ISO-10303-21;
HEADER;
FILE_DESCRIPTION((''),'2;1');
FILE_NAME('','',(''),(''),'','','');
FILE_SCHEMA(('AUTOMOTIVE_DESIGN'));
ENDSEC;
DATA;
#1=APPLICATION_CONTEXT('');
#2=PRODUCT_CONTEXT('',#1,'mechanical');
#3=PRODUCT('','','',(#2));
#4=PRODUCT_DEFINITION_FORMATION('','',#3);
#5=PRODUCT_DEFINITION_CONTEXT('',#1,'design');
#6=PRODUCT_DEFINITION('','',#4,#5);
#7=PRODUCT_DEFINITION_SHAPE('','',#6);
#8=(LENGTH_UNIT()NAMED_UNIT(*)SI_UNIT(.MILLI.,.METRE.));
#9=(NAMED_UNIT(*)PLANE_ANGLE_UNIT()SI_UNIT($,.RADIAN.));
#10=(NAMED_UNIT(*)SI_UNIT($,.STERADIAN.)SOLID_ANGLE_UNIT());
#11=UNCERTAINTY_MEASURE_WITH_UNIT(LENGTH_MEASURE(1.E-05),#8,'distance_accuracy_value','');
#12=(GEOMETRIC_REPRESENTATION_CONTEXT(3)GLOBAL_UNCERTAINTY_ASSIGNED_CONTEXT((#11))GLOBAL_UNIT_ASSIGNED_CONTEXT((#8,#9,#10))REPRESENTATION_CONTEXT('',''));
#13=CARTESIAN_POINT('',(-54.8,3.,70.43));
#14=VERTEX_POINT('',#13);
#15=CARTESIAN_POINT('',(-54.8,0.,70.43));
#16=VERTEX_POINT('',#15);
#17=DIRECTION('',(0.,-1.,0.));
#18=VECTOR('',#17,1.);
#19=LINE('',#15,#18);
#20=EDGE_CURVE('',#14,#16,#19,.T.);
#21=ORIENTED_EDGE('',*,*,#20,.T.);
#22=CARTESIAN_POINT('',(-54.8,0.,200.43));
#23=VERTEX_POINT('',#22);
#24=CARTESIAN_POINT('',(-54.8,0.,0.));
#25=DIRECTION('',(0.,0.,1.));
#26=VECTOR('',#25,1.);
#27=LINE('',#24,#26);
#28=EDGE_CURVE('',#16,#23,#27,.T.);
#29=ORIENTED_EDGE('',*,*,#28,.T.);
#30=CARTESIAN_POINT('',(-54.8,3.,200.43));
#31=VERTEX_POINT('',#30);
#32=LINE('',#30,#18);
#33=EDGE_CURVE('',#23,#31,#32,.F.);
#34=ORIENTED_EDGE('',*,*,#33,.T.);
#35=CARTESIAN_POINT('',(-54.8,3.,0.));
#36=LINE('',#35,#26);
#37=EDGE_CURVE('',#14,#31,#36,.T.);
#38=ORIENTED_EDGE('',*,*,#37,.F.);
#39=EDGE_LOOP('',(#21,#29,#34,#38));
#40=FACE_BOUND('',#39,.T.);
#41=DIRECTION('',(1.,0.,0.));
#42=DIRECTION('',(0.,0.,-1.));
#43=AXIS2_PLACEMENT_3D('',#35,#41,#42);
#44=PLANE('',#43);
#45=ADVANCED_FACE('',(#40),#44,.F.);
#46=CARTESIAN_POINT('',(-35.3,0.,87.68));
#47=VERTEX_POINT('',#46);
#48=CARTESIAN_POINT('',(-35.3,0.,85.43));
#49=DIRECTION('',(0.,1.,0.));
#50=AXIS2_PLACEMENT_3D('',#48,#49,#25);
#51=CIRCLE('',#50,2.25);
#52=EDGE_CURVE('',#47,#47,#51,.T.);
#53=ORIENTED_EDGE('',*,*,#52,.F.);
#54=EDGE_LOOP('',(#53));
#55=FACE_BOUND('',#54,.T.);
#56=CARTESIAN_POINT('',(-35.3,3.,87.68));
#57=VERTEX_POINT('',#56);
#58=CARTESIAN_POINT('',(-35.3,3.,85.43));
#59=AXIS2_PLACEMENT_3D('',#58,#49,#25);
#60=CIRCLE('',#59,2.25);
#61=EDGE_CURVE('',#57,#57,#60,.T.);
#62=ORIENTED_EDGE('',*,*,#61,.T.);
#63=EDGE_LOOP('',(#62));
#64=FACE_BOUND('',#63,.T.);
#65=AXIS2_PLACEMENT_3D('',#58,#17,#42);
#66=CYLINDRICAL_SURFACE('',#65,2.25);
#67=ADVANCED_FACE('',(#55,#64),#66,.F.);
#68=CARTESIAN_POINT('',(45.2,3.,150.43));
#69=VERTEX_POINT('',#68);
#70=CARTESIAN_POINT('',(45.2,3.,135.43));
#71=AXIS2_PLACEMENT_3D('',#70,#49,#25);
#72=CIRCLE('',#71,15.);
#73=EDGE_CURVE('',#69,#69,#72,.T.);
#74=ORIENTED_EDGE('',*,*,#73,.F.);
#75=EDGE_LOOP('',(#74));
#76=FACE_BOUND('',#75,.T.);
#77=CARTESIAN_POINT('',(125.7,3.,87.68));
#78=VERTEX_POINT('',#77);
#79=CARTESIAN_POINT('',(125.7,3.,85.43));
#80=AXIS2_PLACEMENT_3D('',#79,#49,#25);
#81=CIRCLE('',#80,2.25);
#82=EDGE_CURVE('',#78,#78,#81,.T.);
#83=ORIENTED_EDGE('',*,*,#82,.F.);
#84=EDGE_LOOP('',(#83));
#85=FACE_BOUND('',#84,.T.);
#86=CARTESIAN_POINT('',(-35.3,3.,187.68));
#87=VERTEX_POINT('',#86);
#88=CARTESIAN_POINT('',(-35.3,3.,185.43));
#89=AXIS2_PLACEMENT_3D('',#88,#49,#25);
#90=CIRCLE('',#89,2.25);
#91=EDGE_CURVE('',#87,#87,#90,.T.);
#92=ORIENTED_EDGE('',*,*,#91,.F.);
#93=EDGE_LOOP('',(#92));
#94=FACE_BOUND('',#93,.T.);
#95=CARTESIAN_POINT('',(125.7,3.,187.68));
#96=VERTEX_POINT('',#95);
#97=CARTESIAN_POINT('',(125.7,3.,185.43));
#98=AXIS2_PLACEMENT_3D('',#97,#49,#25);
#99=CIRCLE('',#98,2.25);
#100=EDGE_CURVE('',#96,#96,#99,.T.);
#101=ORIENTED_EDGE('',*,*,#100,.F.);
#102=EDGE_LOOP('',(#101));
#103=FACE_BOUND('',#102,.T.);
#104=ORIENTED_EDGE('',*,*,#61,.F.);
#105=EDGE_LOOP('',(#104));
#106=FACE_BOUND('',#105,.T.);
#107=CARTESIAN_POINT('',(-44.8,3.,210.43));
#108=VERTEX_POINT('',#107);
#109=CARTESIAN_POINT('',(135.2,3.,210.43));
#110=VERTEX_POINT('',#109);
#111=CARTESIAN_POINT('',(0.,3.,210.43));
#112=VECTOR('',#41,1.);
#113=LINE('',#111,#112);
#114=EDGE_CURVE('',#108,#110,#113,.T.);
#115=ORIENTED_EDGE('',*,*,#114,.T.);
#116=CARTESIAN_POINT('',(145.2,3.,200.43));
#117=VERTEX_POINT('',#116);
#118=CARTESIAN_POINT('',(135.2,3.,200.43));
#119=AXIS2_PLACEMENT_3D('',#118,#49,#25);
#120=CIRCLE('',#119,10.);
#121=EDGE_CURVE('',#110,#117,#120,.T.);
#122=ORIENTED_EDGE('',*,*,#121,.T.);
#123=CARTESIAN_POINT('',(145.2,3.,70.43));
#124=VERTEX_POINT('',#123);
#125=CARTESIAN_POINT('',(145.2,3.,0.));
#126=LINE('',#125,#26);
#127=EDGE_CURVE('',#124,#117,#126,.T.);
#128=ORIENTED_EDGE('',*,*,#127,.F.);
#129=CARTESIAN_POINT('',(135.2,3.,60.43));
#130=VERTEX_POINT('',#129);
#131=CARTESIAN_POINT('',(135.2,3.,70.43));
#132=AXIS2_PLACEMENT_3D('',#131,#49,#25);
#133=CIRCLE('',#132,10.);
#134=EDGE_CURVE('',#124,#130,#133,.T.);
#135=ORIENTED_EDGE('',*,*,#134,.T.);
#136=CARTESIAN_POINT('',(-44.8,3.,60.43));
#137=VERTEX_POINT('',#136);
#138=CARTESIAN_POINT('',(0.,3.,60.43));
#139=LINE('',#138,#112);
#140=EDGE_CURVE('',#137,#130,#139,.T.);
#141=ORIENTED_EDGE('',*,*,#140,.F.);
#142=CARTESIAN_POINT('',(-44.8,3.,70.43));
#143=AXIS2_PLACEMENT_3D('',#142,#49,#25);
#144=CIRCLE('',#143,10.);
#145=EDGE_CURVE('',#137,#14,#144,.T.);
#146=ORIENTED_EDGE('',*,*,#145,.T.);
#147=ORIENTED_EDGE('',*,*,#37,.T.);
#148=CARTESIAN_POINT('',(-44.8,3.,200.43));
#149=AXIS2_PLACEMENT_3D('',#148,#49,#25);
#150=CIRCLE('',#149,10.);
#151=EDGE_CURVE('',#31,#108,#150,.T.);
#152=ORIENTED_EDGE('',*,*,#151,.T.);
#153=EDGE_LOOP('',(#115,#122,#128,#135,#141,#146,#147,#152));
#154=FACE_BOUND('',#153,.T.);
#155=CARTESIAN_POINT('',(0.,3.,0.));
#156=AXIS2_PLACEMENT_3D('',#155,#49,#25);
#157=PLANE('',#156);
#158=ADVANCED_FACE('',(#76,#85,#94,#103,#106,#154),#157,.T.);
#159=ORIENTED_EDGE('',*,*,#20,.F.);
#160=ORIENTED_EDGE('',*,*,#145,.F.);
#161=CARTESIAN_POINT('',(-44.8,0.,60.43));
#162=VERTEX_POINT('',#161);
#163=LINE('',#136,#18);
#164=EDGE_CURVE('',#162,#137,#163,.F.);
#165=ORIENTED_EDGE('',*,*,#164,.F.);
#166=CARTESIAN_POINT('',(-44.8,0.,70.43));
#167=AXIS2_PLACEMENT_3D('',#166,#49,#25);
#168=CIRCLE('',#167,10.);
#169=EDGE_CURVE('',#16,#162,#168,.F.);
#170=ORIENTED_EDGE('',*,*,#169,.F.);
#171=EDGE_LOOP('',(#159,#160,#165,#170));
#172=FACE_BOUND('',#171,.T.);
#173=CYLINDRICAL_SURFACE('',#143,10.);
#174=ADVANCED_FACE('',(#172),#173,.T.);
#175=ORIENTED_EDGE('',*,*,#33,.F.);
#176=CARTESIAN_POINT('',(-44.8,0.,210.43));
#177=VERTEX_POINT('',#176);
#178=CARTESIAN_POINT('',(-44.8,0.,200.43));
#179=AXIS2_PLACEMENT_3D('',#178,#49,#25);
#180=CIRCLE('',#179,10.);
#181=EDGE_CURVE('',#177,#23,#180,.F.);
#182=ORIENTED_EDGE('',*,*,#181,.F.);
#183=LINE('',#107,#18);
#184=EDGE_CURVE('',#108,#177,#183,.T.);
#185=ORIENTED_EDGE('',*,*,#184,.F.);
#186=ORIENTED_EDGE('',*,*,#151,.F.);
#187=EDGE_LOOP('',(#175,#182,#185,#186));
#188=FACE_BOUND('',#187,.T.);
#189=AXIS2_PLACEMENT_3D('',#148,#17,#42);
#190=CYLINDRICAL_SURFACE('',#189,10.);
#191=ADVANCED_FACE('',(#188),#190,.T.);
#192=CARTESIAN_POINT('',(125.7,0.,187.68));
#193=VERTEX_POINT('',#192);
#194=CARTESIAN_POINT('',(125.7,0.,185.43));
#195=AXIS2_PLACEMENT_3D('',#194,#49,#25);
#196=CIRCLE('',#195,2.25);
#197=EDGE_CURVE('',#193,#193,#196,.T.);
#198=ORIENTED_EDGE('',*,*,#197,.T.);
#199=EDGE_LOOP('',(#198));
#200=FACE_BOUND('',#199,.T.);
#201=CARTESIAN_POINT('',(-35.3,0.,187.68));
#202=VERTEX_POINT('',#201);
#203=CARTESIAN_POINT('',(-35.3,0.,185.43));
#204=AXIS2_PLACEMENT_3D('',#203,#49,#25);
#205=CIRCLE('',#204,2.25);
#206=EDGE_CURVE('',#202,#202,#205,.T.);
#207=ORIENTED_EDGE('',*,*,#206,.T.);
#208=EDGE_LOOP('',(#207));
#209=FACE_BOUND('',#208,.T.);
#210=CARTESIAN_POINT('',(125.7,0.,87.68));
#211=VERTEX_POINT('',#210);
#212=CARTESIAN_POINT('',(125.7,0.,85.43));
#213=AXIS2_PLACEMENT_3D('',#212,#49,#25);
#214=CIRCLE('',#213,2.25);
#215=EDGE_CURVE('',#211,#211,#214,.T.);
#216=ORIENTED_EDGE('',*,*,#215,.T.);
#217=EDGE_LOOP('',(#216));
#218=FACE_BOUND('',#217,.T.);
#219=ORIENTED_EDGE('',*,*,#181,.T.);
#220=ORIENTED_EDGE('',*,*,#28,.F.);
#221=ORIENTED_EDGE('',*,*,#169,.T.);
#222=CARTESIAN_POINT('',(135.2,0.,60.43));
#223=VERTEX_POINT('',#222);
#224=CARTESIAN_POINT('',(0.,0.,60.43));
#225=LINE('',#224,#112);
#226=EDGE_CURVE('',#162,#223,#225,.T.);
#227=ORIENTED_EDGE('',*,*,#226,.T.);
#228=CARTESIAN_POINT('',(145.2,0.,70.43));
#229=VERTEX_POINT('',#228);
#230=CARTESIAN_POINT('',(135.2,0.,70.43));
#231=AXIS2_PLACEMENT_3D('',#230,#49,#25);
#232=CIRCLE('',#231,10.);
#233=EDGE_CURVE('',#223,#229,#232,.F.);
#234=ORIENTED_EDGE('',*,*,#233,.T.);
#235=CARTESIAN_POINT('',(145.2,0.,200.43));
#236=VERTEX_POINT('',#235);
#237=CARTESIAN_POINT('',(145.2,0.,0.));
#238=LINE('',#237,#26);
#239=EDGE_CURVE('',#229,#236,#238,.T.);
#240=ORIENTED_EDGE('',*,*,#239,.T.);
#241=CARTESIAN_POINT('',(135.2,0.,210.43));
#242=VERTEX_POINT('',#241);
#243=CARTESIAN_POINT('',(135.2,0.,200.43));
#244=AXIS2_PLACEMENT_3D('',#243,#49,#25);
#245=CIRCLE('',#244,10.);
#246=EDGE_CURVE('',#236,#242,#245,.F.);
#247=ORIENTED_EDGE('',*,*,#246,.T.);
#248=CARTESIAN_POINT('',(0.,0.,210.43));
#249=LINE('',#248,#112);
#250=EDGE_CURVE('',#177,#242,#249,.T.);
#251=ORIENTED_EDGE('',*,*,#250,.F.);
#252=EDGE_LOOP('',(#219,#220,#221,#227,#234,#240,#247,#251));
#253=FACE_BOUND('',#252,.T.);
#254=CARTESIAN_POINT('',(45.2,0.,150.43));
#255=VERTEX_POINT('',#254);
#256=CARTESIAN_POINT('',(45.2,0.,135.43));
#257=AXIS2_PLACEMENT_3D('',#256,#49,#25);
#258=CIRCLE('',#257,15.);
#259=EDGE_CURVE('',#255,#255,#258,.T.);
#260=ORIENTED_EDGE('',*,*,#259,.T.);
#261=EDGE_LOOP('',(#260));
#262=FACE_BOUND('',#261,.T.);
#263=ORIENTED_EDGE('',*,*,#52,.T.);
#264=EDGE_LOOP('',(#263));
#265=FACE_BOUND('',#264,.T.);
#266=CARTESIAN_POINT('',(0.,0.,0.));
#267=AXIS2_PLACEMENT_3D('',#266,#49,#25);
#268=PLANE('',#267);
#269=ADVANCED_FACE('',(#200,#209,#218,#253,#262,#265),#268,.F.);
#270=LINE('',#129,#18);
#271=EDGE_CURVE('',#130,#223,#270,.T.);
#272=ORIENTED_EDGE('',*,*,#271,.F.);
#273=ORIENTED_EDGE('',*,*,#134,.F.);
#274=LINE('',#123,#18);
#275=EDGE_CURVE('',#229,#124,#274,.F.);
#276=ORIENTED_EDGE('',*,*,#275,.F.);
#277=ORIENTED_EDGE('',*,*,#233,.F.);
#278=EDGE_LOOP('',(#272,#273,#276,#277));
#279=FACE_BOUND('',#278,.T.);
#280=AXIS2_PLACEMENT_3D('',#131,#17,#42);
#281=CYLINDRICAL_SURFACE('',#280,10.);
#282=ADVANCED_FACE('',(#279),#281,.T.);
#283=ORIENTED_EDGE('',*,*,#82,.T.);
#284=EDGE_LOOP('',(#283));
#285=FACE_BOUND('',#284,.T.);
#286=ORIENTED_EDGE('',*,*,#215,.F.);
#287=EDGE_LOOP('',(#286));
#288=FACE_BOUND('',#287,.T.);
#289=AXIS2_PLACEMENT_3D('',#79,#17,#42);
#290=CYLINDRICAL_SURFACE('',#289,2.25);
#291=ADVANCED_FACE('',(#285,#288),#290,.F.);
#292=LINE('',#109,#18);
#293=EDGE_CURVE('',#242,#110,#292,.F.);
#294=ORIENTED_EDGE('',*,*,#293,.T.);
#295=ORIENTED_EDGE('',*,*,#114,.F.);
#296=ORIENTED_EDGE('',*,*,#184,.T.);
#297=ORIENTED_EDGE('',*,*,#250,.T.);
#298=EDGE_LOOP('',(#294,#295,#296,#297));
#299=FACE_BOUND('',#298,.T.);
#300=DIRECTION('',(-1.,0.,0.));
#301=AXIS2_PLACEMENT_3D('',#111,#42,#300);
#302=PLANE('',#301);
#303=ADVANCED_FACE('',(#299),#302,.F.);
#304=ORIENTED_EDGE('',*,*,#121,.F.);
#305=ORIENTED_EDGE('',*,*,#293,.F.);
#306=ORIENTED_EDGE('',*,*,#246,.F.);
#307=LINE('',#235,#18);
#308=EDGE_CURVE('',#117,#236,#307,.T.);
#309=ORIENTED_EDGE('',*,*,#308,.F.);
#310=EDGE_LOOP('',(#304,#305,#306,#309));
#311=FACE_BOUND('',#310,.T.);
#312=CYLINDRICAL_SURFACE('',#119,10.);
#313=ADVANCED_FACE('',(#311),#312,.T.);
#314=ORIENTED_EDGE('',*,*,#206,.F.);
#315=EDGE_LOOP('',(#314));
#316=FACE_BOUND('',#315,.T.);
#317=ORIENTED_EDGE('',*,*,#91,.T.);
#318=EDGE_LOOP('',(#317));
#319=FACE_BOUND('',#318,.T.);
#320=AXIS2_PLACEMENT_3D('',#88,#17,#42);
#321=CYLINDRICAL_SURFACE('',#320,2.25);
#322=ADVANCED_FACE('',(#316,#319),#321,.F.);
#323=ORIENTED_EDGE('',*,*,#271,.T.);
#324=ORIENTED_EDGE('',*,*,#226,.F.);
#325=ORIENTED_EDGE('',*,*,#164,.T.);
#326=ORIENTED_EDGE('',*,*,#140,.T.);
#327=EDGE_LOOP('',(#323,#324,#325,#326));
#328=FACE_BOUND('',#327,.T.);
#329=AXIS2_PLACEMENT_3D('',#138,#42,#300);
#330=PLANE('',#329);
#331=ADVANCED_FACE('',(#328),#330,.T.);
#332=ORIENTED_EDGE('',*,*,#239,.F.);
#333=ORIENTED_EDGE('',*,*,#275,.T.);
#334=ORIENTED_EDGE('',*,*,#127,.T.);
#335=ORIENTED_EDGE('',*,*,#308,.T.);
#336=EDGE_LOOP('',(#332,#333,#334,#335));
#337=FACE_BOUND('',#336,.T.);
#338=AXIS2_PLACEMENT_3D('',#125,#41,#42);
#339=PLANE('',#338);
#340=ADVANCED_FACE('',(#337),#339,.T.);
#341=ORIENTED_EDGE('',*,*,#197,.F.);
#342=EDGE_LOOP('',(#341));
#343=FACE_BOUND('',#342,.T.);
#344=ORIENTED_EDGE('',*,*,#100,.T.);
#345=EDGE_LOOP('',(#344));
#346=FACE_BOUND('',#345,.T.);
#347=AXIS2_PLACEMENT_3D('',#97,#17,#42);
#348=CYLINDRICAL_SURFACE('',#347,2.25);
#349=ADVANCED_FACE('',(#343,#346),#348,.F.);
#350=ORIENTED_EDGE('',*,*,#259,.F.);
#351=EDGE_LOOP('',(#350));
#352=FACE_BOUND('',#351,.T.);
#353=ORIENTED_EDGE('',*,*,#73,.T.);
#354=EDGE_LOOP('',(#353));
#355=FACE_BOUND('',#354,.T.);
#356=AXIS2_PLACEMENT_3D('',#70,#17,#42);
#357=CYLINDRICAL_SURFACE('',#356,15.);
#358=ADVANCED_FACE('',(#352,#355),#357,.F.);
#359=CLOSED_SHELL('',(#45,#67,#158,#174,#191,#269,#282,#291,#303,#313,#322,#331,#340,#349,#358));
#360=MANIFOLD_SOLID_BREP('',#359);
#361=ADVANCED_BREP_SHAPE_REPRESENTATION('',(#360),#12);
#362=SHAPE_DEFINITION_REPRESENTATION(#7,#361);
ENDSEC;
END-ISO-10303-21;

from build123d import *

# Parameters (mm, degrees)
SKETCH1_W           = 200
SKETCH1_H           = 150
SKETCH1_R           = 2.25
SKETCH1_R_2         = 15
BOSS_EXTRUDE1_DEPTH = 3
FILLET1_R           = 10


with BuildPart() as part:
    # Sketch1 → Boss-Extrude1 (new body)
    with BuildSketch(Plane(origin=(0, 0, 0), x_dir=(1, 0, 0), z_dir=(0, 1, 0))):
        with Locations((45.2, -135.43)):
            Rectangle(SKETCH1_W, SKETCH1_H)
        with Locations((-35.3, -85.43)):
            Circle(SKETCH1_R, mode=Mode.SUBTRACT)
        with Locations((125.7, -85.43)):
            Circle(SKETCH1_R, mode=Mode.SUBTRACT)
        with Locations((125.7, -185.43)):
            Circle(SKETCH1_R, mode=Mode.SUBTRACT)
        with Locations((-35.3, -185.43)):
            Circle(SKETCH1_R, mode=Mode.SUBTRACT)
        with Locations((45.2, -135.43)):
            Circle(SKETCH1_R_2, mode=Mode.SUBTRACT)
    extrude(amount=BOSS_EXTRUDE1_DEPTH)

    # Fillet1
    fillet1_edges = [part.edges().sort_by_distance(p)[0] for p in [
        (145.2, 1.5, 210.43),
        (-54.8, 1.5, 210.43),
        (-54.8, 1.5, 60.43),
        (145.2, 1.5, 60.43),
    ]]
    fillet(fillet1_edges, radius=FILLET1_R)


solid = part.part
